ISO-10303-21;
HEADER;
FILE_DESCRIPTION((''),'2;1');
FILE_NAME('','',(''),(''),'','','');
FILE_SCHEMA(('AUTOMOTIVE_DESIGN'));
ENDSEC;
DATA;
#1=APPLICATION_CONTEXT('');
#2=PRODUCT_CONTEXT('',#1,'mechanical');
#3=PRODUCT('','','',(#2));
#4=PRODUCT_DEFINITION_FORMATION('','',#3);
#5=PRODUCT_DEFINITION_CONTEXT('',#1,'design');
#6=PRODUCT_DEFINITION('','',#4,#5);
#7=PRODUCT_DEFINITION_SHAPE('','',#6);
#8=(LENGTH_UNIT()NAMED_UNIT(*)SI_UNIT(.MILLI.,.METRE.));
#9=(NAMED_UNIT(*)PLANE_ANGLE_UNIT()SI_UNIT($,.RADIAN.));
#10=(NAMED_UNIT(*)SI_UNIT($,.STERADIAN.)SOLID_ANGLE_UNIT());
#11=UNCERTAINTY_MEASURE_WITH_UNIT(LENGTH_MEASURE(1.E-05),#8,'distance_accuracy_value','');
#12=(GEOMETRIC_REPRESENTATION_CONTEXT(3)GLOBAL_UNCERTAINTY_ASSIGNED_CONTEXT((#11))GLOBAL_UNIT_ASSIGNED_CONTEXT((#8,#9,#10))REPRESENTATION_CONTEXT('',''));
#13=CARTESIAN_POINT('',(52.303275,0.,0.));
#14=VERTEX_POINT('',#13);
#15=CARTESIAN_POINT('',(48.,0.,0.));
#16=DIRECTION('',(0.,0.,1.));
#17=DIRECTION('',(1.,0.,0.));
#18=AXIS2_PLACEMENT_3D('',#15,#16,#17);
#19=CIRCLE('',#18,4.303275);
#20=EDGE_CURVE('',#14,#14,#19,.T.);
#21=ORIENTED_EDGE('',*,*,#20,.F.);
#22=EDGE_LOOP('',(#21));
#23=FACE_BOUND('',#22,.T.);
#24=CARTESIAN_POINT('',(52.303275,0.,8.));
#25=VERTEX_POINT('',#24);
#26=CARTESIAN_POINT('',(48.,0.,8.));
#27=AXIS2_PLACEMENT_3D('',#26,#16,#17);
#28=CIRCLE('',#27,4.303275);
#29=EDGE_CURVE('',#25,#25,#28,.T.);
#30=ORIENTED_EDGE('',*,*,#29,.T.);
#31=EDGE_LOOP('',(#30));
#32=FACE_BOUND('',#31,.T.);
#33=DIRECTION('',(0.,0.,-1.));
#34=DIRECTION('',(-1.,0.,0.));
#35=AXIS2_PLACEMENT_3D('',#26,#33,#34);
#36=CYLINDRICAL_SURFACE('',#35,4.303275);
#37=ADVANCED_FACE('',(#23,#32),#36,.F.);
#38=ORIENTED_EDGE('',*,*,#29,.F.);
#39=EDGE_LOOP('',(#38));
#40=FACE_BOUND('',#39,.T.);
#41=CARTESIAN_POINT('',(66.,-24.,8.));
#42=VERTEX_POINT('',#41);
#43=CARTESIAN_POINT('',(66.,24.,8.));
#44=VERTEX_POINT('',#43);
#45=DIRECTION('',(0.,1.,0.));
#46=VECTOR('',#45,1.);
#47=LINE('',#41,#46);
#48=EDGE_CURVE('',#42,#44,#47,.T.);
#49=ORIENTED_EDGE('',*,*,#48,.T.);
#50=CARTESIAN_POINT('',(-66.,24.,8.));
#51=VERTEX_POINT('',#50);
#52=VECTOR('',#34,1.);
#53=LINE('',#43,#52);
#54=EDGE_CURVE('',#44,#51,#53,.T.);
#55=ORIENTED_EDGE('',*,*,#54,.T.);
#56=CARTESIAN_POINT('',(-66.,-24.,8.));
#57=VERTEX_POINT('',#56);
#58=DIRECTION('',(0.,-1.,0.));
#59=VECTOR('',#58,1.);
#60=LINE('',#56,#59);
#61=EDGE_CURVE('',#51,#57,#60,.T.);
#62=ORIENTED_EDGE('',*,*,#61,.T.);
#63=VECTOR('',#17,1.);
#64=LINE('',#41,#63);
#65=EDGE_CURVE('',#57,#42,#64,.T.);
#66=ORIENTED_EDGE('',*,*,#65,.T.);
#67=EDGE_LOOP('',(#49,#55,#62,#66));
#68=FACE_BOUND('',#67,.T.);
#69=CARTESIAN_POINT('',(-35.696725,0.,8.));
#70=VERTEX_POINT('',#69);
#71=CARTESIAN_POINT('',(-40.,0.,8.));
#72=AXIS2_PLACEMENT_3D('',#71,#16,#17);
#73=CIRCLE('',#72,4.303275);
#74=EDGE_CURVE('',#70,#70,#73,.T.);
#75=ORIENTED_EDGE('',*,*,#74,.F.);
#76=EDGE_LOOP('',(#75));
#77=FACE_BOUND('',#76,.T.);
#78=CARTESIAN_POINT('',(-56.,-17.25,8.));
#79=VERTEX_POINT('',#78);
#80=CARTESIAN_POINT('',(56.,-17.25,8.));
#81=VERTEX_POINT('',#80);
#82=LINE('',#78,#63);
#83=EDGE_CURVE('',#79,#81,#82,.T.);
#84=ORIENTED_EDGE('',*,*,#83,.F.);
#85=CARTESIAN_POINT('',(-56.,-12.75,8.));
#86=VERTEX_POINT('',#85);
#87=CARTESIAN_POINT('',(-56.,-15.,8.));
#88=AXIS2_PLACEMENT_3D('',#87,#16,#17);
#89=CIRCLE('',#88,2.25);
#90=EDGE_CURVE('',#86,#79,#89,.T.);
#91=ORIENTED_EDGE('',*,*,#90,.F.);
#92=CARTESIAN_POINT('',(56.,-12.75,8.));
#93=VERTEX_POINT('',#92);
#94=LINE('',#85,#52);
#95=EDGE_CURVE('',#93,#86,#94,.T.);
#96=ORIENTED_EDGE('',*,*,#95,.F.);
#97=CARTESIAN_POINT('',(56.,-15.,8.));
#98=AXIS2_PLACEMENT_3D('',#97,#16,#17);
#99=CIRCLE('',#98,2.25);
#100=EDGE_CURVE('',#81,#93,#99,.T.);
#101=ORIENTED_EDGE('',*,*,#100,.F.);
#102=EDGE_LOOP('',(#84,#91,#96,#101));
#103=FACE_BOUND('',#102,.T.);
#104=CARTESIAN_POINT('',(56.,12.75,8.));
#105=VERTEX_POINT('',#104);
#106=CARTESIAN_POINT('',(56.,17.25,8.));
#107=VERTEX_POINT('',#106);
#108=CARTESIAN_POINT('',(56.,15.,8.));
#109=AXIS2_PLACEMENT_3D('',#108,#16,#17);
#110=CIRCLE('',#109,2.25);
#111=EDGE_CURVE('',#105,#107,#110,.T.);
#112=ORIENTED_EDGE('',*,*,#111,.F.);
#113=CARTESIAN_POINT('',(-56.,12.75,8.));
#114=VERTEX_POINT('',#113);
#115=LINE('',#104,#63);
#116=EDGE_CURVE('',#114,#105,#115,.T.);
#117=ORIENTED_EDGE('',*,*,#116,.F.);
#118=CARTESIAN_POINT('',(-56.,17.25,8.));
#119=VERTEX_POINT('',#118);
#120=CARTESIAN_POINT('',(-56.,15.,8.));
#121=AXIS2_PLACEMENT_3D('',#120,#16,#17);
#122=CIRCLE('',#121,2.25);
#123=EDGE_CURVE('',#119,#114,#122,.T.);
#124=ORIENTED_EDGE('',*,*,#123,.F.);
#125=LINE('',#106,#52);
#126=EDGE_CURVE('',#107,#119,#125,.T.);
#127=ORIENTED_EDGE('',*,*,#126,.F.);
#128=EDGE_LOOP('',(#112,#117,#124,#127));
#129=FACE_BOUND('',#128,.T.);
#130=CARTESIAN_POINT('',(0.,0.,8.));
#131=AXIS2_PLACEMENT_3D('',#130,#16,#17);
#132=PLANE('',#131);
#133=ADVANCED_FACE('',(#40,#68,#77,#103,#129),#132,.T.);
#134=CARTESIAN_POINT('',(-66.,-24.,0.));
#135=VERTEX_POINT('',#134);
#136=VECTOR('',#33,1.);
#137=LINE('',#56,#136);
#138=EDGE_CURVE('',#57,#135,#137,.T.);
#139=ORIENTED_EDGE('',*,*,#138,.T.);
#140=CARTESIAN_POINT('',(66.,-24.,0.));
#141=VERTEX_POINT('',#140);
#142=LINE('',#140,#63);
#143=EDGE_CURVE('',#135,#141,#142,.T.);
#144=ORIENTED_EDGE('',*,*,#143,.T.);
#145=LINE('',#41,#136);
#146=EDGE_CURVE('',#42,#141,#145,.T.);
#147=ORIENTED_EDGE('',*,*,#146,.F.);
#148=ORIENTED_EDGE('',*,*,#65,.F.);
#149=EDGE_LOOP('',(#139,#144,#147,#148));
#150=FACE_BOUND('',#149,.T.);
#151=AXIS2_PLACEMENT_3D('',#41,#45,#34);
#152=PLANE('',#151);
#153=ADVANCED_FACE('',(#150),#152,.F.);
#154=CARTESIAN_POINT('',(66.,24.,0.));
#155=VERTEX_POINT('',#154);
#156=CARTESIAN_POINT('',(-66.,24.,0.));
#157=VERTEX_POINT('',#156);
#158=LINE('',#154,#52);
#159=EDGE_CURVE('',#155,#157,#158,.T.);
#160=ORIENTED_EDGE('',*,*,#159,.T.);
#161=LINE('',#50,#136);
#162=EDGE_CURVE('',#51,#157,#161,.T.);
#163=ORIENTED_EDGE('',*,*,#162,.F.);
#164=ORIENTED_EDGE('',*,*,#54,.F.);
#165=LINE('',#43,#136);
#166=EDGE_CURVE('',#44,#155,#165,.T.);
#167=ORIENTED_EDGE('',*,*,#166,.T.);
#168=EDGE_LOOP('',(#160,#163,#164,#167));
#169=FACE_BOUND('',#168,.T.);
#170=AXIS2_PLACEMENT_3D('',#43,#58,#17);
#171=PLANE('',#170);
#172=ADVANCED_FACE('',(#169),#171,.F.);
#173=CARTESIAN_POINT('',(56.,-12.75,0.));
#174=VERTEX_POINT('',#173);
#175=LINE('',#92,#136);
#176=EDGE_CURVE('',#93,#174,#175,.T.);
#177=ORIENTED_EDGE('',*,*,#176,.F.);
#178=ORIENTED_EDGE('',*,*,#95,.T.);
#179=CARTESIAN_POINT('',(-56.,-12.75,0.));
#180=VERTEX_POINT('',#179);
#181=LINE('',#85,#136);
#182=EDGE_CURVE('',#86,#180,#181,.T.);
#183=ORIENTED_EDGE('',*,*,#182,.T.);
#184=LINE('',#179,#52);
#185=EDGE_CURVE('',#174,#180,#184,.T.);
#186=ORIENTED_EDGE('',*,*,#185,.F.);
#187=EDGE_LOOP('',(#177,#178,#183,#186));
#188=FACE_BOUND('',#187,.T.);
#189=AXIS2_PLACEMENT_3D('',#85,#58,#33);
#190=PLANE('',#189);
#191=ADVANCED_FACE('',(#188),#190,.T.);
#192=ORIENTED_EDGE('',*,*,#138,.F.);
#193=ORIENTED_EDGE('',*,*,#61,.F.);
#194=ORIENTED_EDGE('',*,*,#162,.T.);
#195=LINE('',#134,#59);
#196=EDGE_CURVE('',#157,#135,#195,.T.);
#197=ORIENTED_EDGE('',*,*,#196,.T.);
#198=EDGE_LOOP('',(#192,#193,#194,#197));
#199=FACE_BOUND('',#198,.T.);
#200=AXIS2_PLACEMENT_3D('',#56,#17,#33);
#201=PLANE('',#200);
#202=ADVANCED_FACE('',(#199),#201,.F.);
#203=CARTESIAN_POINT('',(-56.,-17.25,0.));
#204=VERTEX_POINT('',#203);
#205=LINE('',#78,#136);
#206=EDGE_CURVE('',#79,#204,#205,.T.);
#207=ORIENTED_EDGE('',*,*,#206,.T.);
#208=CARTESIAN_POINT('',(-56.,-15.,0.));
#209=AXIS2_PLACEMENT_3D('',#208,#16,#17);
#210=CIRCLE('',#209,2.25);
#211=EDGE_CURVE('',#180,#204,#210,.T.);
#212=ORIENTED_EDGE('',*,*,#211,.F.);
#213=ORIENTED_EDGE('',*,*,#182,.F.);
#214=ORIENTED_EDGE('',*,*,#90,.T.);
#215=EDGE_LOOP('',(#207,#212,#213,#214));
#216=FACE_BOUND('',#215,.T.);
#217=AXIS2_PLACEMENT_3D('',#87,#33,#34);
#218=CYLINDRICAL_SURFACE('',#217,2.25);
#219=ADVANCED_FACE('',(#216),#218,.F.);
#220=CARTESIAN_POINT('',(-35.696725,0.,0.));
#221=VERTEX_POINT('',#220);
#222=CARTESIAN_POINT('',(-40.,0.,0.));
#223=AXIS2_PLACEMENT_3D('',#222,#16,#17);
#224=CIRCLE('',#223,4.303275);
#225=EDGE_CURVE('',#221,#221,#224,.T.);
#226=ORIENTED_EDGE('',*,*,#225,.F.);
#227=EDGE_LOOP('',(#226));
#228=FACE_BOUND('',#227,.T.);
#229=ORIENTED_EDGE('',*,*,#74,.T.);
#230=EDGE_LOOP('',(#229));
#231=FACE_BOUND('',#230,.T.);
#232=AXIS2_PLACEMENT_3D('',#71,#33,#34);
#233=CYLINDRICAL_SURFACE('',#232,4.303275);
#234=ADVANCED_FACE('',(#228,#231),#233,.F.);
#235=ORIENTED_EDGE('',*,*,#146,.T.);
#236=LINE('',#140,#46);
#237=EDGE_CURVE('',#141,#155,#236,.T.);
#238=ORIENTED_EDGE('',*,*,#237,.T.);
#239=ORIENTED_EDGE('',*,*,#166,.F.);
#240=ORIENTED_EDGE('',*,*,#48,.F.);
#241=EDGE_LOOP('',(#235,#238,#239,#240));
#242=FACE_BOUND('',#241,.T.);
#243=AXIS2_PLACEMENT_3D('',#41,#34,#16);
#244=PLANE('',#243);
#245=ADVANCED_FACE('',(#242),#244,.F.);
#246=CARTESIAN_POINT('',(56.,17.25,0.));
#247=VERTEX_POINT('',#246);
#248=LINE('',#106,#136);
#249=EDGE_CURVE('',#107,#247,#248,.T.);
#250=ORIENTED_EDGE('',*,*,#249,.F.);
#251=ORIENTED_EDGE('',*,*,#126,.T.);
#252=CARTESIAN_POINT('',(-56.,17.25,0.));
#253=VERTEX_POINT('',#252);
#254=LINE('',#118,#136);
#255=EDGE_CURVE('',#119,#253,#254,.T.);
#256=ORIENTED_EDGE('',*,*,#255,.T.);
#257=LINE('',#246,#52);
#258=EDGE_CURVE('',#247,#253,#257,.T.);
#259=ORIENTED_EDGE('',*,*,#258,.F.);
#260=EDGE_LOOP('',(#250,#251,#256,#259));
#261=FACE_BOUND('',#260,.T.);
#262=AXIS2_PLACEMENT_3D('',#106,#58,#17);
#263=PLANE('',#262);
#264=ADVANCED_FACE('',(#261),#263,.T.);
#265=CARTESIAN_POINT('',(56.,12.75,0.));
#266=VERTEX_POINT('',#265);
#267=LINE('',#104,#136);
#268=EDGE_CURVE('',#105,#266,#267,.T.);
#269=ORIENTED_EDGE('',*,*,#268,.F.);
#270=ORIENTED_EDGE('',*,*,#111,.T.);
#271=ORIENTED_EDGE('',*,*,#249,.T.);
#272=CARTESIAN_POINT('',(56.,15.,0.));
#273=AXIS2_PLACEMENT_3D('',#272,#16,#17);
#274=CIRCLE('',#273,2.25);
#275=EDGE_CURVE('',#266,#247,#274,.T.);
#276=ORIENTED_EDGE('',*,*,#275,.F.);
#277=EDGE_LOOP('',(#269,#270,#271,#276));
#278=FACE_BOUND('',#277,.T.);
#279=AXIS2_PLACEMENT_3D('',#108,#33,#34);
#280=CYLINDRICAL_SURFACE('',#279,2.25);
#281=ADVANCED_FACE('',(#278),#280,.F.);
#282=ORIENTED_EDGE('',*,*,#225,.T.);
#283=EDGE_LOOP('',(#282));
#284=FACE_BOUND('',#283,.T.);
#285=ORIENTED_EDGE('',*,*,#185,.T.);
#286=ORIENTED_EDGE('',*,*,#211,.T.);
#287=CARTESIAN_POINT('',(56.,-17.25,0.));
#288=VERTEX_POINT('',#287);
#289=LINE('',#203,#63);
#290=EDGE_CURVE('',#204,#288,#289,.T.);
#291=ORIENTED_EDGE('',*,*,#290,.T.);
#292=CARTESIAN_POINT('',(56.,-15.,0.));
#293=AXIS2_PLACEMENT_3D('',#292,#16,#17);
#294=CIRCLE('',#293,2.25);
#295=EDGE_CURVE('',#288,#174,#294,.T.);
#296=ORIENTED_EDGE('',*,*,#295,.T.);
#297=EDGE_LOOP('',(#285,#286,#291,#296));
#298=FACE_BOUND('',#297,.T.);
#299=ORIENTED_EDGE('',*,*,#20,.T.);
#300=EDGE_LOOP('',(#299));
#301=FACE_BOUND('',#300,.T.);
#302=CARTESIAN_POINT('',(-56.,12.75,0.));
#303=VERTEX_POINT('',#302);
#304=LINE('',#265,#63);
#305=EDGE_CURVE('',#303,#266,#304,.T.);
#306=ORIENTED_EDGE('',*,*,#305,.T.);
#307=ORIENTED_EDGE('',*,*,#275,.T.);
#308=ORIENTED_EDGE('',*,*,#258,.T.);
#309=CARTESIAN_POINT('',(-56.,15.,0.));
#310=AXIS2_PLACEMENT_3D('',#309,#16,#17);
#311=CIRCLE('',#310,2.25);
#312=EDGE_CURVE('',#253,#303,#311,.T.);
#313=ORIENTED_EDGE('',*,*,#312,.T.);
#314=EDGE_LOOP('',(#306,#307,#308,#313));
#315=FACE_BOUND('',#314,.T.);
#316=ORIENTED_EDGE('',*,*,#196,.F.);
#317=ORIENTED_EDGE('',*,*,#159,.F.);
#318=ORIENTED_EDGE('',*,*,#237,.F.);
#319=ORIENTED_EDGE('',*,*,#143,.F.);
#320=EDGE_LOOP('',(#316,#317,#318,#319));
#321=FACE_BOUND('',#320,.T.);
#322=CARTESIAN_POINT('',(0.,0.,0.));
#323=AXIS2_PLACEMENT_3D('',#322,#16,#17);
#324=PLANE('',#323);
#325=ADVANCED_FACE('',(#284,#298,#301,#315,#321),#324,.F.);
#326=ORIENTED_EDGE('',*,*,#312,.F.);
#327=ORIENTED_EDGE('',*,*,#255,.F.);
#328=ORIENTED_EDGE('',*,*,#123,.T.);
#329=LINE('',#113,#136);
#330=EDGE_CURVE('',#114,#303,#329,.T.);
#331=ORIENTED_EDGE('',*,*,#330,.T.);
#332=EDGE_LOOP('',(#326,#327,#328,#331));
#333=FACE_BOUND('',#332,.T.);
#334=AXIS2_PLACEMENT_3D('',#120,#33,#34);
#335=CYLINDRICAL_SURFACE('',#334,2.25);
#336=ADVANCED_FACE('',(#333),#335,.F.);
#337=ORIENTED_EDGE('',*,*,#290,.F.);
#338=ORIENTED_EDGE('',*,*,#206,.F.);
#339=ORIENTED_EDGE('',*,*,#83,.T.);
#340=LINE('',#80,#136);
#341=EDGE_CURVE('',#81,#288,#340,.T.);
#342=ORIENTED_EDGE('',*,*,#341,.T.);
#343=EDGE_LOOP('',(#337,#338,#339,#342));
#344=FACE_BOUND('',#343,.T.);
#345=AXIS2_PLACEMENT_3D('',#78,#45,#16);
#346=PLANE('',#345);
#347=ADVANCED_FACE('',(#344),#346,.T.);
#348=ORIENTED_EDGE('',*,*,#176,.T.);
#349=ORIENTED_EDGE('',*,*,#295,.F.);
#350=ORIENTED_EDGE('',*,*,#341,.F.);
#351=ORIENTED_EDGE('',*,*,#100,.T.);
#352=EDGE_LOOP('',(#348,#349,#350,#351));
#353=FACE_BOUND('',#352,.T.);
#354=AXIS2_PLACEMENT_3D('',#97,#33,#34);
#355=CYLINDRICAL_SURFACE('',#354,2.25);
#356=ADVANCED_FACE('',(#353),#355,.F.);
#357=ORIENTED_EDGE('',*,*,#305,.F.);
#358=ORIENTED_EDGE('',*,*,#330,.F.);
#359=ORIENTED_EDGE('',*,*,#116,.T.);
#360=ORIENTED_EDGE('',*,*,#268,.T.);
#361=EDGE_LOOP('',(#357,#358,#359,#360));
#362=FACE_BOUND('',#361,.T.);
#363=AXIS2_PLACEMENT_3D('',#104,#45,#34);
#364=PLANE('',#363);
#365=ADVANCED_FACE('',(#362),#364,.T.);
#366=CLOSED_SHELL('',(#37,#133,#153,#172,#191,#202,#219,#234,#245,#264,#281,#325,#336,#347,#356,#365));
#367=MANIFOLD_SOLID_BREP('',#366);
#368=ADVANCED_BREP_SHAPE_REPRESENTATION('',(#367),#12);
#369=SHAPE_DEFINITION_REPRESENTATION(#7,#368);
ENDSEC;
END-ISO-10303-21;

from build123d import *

# Parameters (mm, degrees)
SKETCH1_W           = 132
SKETCH1_H           = 48
SKETCH1_R           = 4.303275398
BOSS_EXTRUDE1_DEPTH = 8


with BuildPart() as part:
    # Sketch1 → Boss-Extrude1 (new body)
    with BuildSketch(Plane.XY):
        Rectangle(SKETCH1_W, SKETCH1_H)
        with Locations((-40, 0)):
            Circle(SKETCH1_R, mode=Mode.SUBTRACT)
        with Locations((48, 0)):
            Circle(SKETCH1_R, mode=Mode.SUBTRACT)
        with BuildLine():
            Line((56, 12.75), (-56, 12.75))
            ThreePointArc((-56, 12.75), (-58.25, 15), (-56, 17.25))
            Line((-56, 17.25), (56, 17.25))
            ThreePointArc((56, 17.25), (58.25, 15), (56, 12.75))
        make_face(mode=Mode.SUBTRACT)
        with BuildLine():
            Line((-56, -12.75), (56, -12.75))
            ThreePointArc((56, -12.75), (58.25, -15), (56, -17.25))
            Line((56, -17.25), (-56, -17.25))
            ThreePointArc((-56, -17.25), (-58.25, -15), (-56, -12.75))
        make_face(mode=Mode.SUBTRACT)
    extrude(amount=BOSS_EXTRUDE1_DEPTH)


solid = part.part
